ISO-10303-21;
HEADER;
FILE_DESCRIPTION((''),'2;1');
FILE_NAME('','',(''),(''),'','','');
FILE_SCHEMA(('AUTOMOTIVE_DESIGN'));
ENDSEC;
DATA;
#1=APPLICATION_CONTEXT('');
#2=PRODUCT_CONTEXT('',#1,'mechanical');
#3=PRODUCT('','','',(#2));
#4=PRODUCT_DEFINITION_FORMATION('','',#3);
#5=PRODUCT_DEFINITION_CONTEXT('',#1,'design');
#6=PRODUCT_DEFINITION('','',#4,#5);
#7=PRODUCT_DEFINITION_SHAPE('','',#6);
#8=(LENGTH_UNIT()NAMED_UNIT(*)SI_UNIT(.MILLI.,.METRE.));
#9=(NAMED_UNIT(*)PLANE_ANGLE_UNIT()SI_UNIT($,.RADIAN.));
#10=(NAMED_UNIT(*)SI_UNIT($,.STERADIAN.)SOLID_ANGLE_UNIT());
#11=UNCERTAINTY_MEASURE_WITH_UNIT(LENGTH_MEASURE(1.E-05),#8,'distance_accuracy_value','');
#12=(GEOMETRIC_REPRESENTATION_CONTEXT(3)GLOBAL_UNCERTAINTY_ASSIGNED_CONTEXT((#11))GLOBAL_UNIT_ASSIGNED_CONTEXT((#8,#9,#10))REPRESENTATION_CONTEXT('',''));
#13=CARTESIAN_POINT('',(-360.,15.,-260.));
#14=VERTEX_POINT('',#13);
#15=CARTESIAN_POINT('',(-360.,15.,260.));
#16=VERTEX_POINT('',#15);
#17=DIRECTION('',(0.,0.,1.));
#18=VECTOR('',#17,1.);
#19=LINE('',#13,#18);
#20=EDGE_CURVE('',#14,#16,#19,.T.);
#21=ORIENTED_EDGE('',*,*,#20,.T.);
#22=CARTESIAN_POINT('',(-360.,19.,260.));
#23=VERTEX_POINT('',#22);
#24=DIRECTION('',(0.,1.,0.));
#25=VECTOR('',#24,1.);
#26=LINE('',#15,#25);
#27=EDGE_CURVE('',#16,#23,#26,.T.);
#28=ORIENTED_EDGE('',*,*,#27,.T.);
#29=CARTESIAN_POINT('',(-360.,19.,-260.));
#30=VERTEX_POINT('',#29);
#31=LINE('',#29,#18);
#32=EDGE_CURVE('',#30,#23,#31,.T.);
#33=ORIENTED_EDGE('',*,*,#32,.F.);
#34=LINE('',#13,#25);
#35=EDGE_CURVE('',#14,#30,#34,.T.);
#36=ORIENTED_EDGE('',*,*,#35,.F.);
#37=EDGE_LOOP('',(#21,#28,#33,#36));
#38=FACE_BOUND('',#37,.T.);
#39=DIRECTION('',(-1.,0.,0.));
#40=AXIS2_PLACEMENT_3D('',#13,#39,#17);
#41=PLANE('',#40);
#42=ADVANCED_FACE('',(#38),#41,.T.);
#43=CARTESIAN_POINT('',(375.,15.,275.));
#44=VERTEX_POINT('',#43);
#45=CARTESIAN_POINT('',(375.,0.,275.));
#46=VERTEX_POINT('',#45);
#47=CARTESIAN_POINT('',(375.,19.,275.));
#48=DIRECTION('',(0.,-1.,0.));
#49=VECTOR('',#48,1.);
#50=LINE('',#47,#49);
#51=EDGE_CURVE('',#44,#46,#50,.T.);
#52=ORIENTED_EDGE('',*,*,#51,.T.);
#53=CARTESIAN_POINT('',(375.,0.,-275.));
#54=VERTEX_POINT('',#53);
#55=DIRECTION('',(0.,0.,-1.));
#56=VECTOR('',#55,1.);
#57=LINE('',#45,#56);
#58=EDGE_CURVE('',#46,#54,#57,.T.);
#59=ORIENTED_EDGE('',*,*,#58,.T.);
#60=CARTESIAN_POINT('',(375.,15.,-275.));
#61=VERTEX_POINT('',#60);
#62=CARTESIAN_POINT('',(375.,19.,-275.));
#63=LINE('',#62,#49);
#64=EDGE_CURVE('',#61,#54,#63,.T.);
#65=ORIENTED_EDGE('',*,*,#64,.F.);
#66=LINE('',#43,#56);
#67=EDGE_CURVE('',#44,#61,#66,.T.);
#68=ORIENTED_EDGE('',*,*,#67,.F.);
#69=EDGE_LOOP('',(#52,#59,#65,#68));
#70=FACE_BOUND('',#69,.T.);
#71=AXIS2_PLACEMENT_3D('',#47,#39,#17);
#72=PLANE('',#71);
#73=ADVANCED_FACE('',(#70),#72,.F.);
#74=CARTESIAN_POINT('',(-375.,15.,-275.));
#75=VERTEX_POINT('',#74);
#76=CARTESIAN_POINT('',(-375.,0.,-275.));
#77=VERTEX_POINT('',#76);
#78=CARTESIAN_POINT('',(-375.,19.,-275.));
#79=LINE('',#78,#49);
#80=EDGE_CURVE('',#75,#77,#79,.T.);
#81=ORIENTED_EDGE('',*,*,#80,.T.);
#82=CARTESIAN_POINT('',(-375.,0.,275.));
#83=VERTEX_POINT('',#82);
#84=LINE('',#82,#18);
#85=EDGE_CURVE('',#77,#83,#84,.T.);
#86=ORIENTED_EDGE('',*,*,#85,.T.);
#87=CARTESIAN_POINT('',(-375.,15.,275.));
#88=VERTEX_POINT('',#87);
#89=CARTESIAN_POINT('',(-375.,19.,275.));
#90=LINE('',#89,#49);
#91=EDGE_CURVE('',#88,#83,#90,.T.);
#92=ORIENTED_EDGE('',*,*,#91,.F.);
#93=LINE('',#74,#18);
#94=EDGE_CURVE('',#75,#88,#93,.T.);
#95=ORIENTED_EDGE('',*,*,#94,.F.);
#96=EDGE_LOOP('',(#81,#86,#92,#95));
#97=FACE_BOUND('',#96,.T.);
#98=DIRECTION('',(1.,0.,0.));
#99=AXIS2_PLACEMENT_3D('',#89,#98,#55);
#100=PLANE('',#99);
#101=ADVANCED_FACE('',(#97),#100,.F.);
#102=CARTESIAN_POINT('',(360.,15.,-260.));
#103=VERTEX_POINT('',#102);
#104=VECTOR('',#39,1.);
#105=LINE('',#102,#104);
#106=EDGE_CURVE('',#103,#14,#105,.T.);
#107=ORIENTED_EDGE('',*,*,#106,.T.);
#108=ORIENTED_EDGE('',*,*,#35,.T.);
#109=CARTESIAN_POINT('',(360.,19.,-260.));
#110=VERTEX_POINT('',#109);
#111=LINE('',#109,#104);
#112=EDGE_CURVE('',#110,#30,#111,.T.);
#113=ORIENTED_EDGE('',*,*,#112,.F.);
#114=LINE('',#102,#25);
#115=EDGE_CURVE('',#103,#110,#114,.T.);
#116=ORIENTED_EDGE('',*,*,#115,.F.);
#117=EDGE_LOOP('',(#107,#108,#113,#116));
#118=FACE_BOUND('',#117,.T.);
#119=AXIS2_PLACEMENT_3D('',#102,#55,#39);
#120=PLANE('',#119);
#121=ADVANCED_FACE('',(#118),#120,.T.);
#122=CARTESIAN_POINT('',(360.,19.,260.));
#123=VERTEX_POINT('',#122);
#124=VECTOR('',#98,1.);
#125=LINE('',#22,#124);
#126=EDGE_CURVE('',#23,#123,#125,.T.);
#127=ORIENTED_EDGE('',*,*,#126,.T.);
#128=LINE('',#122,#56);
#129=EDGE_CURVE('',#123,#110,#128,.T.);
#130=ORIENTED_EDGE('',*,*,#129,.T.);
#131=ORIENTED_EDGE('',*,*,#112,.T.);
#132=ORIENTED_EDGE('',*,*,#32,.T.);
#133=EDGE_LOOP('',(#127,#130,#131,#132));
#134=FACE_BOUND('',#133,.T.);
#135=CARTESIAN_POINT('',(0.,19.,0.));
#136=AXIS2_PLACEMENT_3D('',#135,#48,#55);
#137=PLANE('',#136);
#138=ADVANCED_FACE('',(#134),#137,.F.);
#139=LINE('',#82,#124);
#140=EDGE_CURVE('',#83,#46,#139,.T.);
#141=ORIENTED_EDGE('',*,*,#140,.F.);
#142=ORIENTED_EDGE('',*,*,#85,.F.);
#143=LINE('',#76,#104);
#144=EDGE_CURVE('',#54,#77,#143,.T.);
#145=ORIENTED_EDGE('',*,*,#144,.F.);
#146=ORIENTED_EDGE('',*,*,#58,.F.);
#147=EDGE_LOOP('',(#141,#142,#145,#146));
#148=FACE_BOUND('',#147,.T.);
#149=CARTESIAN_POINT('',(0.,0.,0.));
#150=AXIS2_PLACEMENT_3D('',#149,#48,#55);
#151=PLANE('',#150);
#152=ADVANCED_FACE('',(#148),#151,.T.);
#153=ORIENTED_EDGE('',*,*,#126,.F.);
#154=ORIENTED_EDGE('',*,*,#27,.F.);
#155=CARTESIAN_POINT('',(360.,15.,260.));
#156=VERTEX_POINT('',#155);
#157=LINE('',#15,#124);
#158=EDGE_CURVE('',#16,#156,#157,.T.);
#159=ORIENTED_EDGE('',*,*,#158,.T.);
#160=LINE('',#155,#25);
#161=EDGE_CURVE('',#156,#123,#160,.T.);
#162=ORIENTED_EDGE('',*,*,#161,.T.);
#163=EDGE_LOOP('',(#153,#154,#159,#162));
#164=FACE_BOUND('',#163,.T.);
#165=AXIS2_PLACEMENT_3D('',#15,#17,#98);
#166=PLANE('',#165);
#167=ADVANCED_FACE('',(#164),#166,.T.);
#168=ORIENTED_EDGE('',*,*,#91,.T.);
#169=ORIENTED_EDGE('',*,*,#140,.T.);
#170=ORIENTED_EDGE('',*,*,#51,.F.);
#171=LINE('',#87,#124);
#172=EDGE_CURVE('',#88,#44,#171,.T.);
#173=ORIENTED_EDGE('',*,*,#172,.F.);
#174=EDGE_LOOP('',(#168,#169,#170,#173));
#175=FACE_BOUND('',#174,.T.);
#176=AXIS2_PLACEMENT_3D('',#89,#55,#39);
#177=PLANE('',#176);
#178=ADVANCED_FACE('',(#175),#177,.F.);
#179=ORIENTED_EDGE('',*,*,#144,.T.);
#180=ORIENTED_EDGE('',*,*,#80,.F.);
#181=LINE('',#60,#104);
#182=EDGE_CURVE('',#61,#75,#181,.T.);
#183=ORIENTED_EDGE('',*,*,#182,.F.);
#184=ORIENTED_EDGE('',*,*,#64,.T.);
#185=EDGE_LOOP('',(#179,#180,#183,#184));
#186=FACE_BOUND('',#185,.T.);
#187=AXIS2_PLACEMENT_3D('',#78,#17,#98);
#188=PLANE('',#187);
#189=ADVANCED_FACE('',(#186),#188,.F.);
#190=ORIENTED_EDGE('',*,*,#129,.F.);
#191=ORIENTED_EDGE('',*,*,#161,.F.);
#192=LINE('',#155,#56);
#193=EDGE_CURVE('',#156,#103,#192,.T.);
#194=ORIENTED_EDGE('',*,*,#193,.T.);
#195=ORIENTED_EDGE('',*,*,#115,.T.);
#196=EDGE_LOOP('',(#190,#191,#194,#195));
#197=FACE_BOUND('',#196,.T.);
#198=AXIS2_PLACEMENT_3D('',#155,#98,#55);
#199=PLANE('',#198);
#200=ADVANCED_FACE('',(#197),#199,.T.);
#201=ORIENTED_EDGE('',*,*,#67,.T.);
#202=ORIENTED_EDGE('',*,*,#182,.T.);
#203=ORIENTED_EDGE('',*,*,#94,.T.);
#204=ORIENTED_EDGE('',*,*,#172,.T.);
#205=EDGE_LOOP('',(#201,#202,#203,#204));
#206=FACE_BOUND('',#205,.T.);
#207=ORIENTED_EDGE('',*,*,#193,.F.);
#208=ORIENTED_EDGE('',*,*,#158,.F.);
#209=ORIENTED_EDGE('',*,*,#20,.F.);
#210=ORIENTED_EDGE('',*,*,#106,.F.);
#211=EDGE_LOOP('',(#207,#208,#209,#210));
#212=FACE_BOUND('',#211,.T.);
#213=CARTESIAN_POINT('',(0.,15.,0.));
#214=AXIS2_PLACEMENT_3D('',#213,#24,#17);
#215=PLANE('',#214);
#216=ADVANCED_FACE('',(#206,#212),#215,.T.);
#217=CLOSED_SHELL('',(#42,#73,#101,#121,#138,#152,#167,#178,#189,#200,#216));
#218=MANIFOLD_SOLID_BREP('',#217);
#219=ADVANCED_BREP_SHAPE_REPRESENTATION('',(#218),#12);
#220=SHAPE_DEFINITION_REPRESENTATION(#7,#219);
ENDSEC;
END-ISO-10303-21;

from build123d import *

# Parameters (mm, degrees)
SKETCH1_W           = 750
SKETCH1_H           = 550
BOSS_EXTRUDE1_DEPTH = 19
SKETCH3_W           = 750
SKETCH3_H           = 550
SKETCH3_W_2         = 720
SKETCH3_H_2         = 520
CUT_EXTRUDE2_DEPTH  = 4


with BuildPart() as part:
    # Sketch1 → Boss-Extrude1 (new body)
    with BuildSketch(Plane(origin=(0, 0, 0), x_dir=(1, 0, 0), z_dir=(0, 1, 0))):
        Rectangle(SKETCH1_W, SKETCH1_H)
    extrude(amount=BOSS_EXTRUDE1_DEPTH)

    # Sketch3 → Cut-Extrude2 (cut)
    with BuildSketch(Plane(origin=(0, 19, 0), x_dir=(1, 0, 0), z_dir=(0, 1, 0))):
        Rectangle(SKETCH3_W, SKETCH3_H)
        Rectangle(SKETCH3_W_2, SKETCH3_H_2, mode=Mode.SUBTRACT)
    extrude(amount=-CUT_EXTRUDE2_DEPTH, mode=Mode.SUBTRACT)


solid = part.part
